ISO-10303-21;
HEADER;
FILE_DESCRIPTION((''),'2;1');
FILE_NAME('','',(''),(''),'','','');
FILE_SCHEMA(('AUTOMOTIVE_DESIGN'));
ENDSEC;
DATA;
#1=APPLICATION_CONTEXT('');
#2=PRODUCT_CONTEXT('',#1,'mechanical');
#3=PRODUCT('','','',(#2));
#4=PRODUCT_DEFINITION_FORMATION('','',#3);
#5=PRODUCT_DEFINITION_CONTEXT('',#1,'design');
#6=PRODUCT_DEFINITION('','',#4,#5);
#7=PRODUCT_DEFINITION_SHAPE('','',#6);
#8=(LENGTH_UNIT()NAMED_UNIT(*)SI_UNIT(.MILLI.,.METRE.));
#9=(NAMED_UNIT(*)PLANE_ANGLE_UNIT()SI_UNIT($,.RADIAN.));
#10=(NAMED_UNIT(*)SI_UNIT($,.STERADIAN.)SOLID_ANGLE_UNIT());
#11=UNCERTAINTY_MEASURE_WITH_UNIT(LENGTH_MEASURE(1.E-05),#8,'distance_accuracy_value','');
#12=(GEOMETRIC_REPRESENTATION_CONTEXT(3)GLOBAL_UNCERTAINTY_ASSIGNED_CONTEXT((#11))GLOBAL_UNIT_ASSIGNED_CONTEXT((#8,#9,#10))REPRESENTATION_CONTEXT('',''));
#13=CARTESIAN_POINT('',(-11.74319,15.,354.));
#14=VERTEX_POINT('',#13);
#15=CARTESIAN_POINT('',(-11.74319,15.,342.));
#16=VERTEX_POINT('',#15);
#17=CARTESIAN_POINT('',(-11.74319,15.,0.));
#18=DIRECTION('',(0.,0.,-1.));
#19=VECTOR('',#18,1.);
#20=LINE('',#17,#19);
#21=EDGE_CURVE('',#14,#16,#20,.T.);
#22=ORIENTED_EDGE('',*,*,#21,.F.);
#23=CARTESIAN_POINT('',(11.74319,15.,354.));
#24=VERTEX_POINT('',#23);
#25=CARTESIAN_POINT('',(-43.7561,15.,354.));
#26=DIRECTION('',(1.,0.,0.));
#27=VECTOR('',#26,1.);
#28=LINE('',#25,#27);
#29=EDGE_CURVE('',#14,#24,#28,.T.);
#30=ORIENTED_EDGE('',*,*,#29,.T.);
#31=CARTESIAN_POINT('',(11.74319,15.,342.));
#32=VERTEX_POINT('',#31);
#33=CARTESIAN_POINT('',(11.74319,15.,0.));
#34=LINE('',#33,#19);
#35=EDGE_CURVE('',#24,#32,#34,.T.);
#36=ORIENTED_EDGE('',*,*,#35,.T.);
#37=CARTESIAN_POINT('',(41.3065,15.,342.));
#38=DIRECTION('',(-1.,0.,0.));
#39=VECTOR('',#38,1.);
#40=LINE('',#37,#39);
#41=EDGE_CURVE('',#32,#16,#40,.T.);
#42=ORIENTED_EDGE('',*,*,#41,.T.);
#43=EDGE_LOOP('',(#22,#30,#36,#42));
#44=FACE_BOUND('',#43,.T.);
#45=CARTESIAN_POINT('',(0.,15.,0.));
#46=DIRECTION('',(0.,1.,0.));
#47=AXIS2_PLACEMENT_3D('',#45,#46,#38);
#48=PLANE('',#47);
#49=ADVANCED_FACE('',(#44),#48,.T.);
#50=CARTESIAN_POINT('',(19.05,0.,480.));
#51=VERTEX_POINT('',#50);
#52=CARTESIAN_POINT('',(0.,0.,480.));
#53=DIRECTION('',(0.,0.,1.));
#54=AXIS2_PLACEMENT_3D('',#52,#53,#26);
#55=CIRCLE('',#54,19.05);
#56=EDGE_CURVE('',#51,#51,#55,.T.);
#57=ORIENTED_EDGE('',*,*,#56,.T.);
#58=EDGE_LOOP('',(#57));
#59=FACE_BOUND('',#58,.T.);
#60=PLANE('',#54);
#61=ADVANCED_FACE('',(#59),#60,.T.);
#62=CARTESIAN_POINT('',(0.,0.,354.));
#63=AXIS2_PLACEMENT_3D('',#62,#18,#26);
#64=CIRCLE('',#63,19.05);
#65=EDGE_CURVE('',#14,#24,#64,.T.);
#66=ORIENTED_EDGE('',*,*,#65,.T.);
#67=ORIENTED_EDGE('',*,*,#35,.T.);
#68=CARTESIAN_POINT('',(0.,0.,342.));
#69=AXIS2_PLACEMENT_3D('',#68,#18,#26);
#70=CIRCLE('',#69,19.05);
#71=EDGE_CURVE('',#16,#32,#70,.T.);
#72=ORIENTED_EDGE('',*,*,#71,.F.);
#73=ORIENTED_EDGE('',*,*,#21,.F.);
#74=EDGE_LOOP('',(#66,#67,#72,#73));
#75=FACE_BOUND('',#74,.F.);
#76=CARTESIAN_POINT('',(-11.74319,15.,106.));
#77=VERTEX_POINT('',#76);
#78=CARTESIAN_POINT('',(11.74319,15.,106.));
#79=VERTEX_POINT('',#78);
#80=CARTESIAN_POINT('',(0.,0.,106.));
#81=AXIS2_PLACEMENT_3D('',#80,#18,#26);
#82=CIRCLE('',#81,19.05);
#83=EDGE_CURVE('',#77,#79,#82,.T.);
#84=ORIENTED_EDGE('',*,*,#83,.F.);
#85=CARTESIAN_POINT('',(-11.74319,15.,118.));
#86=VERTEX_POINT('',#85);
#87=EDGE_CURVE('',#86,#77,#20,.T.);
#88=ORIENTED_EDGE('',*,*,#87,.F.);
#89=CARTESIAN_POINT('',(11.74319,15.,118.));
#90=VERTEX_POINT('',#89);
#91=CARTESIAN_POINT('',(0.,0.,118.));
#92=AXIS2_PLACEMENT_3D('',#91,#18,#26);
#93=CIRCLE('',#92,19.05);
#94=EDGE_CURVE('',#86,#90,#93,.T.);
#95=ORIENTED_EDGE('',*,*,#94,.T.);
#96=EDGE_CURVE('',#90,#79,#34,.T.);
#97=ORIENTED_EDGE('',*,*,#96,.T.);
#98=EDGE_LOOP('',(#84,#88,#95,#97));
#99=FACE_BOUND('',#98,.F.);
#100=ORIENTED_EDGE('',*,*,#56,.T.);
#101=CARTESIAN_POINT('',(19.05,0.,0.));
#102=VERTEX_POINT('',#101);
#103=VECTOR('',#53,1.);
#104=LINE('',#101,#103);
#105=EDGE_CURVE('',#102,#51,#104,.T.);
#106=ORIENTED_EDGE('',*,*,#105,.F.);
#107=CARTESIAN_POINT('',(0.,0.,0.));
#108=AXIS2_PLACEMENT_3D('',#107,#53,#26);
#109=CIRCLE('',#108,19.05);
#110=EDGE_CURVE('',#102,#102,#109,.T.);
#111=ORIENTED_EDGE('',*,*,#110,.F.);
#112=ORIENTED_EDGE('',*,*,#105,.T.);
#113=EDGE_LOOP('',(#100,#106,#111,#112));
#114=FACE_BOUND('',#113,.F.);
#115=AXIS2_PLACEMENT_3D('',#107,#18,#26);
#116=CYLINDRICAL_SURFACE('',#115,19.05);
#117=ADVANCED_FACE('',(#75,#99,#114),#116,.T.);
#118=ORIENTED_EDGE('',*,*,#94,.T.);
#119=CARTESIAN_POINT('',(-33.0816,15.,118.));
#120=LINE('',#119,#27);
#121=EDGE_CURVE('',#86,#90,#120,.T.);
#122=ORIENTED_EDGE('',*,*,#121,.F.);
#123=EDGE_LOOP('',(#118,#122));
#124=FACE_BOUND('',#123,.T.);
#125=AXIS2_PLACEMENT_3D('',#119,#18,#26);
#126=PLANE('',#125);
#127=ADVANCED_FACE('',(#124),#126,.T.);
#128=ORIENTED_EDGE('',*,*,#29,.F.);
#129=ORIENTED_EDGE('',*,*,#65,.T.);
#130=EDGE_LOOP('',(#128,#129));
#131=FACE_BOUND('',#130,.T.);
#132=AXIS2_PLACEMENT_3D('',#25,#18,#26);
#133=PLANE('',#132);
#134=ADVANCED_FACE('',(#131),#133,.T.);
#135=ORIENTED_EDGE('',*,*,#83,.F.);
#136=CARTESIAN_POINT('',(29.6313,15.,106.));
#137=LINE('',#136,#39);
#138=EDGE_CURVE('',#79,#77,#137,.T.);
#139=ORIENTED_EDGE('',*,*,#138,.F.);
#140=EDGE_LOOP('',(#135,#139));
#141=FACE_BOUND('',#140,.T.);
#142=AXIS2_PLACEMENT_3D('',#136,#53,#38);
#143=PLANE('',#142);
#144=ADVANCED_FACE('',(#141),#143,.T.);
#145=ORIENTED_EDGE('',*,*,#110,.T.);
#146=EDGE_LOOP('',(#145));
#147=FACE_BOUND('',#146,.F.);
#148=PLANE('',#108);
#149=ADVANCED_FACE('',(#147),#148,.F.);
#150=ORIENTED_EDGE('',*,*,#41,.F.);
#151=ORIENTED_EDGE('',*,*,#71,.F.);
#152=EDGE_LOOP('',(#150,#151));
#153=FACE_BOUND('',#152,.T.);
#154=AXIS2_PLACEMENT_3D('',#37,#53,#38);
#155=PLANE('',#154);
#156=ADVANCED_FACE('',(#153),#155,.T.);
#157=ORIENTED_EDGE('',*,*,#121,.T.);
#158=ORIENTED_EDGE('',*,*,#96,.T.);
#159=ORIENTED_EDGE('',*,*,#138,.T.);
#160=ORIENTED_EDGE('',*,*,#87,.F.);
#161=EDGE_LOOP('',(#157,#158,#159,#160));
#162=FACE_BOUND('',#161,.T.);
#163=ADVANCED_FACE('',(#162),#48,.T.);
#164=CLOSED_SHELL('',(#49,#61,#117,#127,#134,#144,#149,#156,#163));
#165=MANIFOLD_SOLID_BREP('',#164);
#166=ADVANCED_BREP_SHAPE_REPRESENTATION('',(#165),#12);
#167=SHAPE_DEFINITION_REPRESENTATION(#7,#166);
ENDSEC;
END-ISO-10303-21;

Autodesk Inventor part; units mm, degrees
ref_plane "YZ Plane" through (0, 0, 0) normal (1, 0, 0) x (0, 1, 0)
ref_plane "XY Plane" through (0, 0, 0) normal (0, 0, 1) x (1, 0, 0)
sketch "Sketch1" plane through (0, 0, 0) normal (0, 0, 1) x (1, 0, 0)
  circle A0 centre (0, 0) radius 19.05
  dimension "d0" = 38.1
extrude "Extrusion1" add sketch "Sketch1" along normal blind 480
ref_plane "Work Plane1" through (0, 15, 0) normal (0, 1, 0) x (-1, 0, 0)
sketch "Sketch2" plane through (0, 15, 0) normal (0, 1, 0) x (-1, 0, 0)
  line L0 (-122.6999, 230) -> (112.1399, 230) construction
  line L1 (-19.05, 0) -> (19.05, 0) projected
  line L2 (-122.6999, 128) -> (109.8048, 128) construction
  line L3 (-29.6313, 106) -> (33.0816, 106)
  line L4 (33.0816, 106) -> (33.0816, 118)
  line L5 (33.0816, 118) -> (-29.6313, 118)
  line L6 (-29.6313, 118) -> (-29.6313, 106)
  line L7 (-41.3065, 342) -> (43.7561, 342)
  line L8 (43.7561, 342) -> (43.7561, 354)
  line L9 (43.7561, 354) -> (-41.3065, 354)
  line L10 (-41.3065, 354) -> (-41.3065, 342)
  point P0 (0, 0)
  dimension "d5" = 230
  dimension "d6" = 102
  dimension "d8" = 12
  dimension "d9" = 12
  dimension "d11" = 112
  dimension "d14" = 112
extrude "Extrusion2" cut sketch "Sketch2" along normal through all
properties part number "1231_Spool Shaft_V1" material "Iron, Ductile"
